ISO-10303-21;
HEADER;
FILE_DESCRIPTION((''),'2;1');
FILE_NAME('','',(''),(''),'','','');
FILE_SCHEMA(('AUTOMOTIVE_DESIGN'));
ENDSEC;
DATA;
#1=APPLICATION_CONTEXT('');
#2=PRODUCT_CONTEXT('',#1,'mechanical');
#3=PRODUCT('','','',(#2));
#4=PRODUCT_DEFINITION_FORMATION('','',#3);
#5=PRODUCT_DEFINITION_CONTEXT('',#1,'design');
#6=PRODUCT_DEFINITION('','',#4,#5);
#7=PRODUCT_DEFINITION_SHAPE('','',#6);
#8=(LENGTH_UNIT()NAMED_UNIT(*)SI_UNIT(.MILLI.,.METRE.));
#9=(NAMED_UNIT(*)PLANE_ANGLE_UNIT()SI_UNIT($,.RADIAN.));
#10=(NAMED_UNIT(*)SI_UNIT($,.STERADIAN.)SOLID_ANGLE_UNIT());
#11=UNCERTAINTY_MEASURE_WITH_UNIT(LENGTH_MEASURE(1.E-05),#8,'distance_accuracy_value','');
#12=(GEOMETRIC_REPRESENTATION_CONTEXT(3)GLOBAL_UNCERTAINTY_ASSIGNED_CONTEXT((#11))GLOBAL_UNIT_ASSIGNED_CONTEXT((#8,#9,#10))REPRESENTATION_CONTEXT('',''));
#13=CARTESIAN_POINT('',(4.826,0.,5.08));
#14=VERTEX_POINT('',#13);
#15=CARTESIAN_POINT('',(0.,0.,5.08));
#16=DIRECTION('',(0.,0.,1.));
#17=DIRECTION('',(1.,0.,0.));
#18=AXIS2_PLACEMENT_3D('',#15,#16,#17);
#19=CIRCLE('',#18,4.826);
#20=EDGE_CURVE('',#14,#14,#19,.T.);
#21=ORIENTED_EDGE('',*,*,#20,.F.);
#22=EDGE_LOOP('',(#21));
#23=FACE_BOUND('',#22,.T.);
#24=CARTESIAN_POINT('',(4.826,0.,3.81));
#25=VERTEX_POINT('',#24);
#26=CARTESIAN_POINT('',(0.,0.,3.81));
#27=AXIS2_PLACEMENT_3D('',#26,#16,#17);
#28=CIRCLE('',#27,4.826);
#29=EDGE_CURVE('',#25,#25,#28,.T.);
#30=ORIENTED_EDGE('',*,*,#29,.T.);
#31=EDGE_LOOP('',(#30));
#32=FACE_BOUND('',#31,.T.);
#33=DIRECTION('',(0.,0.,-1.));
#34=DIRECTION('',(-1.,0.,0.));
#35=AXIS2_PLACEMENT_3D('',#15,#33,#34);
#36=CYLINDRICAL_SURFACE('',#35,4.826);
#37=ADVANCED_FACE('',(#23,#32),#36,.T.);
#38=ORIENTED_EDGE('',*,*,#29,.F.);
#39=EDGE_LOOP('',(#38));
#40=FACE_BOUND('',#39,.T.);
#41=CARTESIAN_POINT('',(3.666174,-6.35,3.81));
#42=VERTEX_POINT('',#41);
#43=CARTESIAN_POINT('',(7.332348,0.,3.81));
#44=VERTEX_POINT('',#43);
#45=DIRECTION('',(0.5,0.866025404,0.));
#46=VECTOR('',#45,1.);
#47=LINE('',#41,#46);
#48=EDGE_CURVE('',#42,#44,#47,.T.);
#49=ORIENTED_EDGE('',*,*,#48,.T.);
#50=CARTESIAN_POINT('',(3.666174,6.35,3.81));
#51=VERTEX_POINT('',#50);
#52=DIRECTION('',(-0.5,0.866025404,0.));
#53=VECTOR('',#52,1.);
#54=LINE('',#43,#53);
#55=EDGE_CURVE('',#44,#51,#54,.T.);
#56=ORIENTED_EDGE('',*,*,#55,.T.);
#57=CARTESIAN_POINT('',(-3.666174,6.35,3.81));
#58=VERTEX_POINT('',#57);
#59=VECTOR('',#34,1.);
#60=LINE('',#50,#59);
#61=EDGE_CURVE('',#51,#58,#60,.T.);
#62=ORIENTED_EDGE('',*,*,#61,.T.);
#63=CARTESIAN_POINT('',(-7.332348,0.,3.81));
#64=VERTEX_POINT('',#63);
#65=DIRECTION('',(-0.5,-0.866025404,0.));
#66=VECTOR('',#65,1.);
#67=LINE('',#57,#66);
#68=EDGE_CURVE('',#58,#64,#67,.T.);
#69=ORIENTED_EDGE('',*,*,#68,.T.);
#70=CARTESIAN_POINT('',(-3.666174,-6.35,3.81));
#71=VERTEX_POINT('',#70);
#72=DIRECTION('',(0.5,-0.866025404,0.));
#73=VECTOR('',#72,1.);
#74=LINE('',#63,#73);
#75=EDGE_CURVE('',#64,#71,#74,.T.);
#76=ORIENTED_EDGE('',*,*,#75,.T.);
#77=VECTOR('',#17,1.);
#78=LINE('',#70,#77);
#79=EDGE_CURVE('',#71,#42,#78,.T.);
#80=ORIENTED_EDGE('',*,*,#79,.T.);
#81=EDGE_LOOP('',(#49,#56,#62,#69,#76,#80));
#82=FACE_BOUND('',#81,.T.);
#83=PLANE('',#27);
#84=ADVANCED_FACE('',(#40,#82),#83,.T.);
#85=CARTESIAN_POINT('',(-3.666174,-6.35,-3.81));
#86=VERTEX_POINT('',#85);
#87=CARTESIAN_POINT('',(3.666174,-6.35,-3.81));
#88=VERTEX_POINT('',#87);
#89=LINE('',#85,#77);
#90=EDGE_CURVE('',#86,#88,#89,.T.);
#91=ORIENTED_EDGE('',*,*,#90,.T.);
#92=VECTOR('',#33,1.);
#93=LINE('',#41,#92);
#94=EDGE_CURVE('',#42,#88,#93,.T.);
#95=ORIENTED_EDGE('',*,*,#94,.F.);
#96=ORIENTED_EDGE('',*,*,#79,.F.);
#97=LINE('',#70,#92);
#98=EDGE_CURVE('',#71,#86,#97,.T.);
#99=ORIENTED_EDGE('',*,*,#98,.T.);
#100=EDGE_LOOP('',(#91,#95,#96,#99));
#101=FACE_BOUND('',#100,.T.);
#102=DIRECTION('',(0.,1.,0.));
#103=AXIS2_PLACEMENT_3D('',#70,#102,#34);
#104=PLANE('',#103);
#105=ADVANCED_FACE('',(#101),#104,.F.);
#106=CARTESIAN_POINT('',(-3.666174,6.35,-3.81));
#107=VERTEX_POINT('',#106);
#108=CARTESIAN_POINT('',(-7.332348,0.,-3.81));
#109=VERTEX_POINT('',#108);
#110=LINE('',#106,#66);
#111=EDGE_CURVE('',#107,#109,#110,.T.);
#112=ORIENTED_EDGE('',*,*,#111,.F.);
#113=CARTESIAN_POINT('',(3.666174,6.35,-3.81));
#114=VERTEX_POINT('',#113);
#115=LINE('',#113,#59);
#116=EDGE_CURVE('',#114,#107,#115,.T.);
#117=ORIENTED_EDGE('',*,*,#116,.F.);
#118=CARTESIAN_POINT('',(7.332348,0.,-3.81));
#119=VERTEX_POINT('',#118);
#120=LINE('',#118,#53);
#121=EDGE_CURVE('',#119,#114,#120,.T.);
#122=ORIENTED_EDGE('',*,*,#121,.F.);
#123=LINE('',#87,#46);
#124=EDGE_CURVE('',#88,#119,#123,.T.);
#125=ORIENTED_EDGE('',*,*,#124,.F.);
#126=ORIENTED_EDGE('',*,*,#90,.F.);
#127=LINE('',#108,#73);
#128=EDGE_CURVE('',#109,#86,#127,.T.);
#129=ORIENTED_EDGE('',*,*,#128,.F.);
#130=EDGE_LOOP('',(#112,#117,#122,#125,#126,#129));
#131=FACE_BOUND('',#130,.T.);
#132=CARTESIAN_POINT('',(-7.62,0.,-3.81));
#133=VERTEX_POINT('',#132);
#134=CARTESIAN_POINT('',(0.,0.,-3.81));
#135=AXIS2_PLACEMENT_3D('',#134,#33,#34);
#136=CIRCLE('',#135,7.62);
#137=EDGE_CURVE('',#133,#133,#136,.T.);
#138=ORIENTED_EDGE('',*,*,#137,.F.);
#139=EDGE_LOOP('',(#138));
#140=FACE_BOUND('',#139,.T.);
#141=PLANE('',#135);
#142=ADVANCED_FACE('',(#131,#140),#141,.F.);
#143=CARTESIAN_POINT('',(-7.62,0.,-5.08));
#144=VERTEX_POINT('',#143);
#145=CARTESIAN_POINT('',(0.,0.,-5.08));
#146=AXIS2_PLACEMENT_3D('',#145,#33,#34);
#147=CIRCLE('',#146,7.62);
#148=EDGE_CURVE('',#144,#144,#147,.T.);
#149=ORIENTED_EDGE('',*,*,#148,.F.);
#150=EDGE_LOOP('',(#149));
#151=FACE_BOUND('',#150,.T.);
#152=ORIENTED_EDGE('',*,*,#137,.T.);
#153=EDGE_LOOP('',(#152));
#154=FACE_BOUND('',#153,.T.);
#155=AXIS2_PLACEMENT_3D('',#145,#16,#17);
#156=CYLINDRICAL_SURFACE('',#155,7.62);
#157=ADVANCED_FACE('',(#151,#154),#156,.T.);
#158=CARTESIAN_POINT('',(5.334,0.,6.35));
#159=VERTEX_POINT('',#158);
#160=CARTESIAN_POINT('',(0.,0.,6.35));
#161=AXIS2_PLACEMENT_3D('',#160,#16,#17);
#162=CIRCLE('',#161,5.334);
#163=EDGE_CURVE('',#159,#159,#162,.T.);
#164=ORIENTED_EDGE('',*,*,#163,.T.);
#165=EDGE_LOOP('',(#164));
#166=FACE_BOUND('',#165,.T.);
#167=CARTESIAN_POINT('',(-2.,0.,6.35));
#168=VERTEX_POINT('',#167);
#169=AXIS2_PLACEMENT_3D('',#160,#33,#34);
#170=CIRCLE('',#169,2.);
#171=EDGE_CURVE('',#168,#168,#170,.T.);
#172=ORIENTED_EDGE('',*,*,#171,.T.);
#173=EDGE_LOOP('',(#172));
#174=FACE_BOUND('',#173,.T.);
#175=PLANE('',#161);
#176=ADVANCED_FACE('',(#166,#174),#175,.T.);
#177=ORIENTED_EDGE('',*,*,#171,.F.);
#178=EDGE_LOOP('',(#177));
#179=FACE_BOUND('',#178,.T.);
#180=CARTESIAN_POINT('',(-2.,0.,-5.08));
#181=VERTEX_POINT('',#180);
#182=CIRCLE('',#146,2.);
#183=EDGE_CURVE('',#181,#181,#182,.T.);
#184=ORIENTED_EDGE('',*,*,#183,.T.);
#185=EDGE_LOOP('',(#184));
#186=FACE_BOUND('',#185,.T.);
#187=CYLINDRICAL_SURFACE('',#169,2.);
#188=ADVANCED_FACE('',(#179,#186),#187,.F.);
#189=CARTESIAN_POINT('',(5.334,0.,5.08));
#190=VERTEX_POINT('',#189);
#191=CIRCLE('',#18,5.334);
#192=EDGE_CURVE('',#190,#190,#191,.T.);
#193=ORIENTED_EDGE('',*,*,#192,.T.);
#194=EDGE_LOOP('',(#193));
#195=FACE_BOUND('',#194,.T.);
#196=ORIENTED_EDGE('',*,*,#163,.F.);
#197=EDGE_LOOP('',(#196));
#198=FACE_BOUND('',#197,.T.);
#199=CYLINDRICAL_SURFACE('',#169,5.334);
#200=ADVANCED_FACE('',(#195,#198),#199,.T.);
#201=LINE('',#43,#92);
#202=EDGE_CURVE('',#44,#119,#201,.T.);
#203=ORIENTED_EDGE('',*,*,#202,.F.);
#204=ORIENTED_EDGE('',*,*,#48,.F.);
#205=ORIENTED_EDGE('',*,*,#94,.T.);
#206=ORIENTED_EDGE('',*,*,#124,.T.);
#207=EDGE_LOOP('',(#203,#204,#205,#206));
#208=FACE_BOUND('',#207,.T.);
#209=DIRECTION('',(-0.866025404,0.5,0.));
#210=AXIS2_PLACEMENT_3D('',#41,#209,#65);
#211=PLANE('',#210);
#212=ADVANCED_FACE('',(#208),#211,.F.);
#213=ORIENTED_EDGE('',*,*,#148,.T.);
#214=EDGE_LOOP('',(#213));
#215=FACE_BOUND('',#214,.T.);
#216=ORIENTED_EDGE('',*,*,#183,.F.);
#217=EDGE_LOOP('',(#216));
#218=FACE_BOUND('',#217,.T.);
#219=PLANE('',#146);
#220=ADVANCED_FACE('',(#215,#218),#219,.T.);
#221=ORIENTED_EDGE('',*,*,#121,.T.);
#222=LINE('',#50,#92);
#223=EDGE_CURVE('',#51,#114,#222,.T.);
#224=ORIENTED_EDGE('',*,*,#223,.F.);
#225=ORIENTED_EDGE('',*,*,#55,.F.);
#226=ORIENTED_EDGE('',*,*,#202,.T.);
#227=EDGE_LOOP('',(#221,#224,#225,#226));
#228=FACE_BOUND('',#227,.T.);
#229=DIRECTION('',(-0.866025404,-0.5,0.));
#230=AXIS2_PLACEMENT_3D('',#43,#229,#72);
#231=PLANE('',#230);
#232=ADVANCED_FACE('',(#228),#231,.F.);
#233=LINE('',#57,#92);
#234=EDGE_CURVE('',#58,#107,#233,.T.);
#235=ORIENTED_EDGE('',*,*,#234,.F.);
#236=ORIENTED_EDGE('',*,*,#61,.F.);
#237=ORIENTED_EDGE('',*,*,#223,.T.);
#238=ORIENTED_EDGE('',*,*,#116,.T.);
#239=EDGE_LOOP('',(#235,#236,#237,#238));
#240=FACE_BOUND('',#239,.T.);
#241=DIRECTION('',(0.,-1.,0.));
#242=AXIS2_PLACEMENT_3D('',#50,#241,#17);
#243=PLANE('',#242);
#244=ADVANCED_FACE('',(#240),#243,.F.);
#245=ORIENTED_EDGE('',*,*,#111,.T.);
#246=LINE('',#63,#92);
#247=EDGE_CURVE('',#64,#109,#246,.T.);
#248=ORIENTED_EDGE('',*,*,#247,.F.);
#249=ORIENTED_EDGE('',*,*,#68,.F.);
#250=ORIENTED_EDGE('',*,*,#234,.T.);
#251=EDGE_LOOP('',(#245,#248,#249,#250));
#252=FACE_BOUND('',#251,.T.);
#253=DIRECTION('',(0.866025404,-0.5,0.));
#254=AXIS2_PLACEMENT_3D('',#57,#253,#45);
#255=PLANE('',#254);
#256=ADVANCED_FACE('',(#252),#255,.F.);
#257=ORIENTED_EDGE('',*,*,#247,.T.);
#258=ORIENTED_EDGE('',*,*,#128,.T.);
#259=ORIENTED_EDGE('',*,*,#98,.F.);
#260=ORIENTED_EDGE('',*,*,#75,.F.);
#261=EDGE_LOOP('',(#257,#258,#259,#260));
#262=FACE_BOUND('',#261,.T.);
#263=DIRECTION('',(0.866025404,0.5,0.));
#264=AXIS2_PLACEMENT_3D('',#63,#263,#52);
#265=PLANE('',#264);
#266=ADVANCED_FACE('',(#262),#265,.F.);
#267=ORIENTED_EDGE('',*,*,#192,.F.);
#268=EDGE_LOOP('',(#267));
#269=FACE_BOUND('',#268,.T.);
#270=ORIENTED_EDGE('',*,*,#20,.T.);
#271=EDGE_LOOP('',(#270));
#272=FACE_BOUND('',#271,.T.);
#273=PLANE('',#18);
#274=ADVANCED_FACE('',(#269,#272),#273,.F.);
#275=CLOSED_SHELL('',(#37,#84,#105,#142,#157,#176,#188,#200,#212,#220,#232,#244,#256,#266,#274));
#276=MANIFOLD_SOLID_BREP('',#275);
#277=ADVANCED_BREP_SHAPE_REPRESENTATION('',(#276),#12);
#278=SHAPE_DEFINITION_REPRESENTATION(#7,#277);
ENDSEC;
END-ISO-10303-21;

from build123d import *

# Parameters (mm, degrees)
BOSS_EXTRU_1_DEPTH      = 3.81
ESQUISSE2_R             = 7.62
BOSS_EXTRU_2_DEPTH      = 1.27
ESQUISSE3_R             = 4.826
BOSS_EXTRU_3_DEPTH      = 1.27
ESQUISSE4_R             = 5.334
BOSS_EXTRU_4_DEPTH      = 1.27
ESQUISSE5_R             = 2
ENL_V_MAT_EXTRU_1_DEPTH = 12.43


with BuildPart() as part:
    # Esquisse1 → Boss.-Extru.1 (new body, symmetric)
    with BuildSketch(Plane.XY):
        Polygon((7.332348419, 0), (3.666174209, 6.35), (-3.666174209, 6.35), (-7.332348419, 0), (-3.666174209, -6.35), (3.666174209, -6.35), align=None)
    extrude(amount=BOSS_EXTRU_1_DEPTH, both=True)

    # Esquisse2 → Boss.-Extru.2 (add)
    with BuildSketch(Plane(origin=(0, 0, -3.81), x_dir=(-1, 0, 0), z_dir=(0, 0, -1))):
        Circle(ESQUISSE2_R)
    extrude(amount=BOSS_EXTRU_2_DEPTH)

    # Esquisse3 → Boss.-Extru.3 (add)
    with BuildSketch(Plane.XY.offset(3.81)):
        Circle(ESQUISSE3_R)
    extrude(amount=BOSS_EXTRU_3_DEPTH)

    # Esquisse4 → Boss.-Extru.4 (add)
    with BuildSketch(Plane.XY.offset(5.08)):
        Circle(ESQUISSE4_R)
    extrude(amount=BOSS_EXTRU_4_DEPTH)

    # Esquisse5 → Enlèv. mat.-Extru.1 (cut, through all)
    with BuildSketch(Plane(origin=(0, 0, -5.08), x_dir=(-1, 0, 0), z_dir=(0, 0, -1))):
        Circle(ESQUISSE5_R)
    extrude(amount=-ENL_V_MAT_EXTRU_1_DEPTH, mode=Mode.SUBTRACT)


solid = part.part
